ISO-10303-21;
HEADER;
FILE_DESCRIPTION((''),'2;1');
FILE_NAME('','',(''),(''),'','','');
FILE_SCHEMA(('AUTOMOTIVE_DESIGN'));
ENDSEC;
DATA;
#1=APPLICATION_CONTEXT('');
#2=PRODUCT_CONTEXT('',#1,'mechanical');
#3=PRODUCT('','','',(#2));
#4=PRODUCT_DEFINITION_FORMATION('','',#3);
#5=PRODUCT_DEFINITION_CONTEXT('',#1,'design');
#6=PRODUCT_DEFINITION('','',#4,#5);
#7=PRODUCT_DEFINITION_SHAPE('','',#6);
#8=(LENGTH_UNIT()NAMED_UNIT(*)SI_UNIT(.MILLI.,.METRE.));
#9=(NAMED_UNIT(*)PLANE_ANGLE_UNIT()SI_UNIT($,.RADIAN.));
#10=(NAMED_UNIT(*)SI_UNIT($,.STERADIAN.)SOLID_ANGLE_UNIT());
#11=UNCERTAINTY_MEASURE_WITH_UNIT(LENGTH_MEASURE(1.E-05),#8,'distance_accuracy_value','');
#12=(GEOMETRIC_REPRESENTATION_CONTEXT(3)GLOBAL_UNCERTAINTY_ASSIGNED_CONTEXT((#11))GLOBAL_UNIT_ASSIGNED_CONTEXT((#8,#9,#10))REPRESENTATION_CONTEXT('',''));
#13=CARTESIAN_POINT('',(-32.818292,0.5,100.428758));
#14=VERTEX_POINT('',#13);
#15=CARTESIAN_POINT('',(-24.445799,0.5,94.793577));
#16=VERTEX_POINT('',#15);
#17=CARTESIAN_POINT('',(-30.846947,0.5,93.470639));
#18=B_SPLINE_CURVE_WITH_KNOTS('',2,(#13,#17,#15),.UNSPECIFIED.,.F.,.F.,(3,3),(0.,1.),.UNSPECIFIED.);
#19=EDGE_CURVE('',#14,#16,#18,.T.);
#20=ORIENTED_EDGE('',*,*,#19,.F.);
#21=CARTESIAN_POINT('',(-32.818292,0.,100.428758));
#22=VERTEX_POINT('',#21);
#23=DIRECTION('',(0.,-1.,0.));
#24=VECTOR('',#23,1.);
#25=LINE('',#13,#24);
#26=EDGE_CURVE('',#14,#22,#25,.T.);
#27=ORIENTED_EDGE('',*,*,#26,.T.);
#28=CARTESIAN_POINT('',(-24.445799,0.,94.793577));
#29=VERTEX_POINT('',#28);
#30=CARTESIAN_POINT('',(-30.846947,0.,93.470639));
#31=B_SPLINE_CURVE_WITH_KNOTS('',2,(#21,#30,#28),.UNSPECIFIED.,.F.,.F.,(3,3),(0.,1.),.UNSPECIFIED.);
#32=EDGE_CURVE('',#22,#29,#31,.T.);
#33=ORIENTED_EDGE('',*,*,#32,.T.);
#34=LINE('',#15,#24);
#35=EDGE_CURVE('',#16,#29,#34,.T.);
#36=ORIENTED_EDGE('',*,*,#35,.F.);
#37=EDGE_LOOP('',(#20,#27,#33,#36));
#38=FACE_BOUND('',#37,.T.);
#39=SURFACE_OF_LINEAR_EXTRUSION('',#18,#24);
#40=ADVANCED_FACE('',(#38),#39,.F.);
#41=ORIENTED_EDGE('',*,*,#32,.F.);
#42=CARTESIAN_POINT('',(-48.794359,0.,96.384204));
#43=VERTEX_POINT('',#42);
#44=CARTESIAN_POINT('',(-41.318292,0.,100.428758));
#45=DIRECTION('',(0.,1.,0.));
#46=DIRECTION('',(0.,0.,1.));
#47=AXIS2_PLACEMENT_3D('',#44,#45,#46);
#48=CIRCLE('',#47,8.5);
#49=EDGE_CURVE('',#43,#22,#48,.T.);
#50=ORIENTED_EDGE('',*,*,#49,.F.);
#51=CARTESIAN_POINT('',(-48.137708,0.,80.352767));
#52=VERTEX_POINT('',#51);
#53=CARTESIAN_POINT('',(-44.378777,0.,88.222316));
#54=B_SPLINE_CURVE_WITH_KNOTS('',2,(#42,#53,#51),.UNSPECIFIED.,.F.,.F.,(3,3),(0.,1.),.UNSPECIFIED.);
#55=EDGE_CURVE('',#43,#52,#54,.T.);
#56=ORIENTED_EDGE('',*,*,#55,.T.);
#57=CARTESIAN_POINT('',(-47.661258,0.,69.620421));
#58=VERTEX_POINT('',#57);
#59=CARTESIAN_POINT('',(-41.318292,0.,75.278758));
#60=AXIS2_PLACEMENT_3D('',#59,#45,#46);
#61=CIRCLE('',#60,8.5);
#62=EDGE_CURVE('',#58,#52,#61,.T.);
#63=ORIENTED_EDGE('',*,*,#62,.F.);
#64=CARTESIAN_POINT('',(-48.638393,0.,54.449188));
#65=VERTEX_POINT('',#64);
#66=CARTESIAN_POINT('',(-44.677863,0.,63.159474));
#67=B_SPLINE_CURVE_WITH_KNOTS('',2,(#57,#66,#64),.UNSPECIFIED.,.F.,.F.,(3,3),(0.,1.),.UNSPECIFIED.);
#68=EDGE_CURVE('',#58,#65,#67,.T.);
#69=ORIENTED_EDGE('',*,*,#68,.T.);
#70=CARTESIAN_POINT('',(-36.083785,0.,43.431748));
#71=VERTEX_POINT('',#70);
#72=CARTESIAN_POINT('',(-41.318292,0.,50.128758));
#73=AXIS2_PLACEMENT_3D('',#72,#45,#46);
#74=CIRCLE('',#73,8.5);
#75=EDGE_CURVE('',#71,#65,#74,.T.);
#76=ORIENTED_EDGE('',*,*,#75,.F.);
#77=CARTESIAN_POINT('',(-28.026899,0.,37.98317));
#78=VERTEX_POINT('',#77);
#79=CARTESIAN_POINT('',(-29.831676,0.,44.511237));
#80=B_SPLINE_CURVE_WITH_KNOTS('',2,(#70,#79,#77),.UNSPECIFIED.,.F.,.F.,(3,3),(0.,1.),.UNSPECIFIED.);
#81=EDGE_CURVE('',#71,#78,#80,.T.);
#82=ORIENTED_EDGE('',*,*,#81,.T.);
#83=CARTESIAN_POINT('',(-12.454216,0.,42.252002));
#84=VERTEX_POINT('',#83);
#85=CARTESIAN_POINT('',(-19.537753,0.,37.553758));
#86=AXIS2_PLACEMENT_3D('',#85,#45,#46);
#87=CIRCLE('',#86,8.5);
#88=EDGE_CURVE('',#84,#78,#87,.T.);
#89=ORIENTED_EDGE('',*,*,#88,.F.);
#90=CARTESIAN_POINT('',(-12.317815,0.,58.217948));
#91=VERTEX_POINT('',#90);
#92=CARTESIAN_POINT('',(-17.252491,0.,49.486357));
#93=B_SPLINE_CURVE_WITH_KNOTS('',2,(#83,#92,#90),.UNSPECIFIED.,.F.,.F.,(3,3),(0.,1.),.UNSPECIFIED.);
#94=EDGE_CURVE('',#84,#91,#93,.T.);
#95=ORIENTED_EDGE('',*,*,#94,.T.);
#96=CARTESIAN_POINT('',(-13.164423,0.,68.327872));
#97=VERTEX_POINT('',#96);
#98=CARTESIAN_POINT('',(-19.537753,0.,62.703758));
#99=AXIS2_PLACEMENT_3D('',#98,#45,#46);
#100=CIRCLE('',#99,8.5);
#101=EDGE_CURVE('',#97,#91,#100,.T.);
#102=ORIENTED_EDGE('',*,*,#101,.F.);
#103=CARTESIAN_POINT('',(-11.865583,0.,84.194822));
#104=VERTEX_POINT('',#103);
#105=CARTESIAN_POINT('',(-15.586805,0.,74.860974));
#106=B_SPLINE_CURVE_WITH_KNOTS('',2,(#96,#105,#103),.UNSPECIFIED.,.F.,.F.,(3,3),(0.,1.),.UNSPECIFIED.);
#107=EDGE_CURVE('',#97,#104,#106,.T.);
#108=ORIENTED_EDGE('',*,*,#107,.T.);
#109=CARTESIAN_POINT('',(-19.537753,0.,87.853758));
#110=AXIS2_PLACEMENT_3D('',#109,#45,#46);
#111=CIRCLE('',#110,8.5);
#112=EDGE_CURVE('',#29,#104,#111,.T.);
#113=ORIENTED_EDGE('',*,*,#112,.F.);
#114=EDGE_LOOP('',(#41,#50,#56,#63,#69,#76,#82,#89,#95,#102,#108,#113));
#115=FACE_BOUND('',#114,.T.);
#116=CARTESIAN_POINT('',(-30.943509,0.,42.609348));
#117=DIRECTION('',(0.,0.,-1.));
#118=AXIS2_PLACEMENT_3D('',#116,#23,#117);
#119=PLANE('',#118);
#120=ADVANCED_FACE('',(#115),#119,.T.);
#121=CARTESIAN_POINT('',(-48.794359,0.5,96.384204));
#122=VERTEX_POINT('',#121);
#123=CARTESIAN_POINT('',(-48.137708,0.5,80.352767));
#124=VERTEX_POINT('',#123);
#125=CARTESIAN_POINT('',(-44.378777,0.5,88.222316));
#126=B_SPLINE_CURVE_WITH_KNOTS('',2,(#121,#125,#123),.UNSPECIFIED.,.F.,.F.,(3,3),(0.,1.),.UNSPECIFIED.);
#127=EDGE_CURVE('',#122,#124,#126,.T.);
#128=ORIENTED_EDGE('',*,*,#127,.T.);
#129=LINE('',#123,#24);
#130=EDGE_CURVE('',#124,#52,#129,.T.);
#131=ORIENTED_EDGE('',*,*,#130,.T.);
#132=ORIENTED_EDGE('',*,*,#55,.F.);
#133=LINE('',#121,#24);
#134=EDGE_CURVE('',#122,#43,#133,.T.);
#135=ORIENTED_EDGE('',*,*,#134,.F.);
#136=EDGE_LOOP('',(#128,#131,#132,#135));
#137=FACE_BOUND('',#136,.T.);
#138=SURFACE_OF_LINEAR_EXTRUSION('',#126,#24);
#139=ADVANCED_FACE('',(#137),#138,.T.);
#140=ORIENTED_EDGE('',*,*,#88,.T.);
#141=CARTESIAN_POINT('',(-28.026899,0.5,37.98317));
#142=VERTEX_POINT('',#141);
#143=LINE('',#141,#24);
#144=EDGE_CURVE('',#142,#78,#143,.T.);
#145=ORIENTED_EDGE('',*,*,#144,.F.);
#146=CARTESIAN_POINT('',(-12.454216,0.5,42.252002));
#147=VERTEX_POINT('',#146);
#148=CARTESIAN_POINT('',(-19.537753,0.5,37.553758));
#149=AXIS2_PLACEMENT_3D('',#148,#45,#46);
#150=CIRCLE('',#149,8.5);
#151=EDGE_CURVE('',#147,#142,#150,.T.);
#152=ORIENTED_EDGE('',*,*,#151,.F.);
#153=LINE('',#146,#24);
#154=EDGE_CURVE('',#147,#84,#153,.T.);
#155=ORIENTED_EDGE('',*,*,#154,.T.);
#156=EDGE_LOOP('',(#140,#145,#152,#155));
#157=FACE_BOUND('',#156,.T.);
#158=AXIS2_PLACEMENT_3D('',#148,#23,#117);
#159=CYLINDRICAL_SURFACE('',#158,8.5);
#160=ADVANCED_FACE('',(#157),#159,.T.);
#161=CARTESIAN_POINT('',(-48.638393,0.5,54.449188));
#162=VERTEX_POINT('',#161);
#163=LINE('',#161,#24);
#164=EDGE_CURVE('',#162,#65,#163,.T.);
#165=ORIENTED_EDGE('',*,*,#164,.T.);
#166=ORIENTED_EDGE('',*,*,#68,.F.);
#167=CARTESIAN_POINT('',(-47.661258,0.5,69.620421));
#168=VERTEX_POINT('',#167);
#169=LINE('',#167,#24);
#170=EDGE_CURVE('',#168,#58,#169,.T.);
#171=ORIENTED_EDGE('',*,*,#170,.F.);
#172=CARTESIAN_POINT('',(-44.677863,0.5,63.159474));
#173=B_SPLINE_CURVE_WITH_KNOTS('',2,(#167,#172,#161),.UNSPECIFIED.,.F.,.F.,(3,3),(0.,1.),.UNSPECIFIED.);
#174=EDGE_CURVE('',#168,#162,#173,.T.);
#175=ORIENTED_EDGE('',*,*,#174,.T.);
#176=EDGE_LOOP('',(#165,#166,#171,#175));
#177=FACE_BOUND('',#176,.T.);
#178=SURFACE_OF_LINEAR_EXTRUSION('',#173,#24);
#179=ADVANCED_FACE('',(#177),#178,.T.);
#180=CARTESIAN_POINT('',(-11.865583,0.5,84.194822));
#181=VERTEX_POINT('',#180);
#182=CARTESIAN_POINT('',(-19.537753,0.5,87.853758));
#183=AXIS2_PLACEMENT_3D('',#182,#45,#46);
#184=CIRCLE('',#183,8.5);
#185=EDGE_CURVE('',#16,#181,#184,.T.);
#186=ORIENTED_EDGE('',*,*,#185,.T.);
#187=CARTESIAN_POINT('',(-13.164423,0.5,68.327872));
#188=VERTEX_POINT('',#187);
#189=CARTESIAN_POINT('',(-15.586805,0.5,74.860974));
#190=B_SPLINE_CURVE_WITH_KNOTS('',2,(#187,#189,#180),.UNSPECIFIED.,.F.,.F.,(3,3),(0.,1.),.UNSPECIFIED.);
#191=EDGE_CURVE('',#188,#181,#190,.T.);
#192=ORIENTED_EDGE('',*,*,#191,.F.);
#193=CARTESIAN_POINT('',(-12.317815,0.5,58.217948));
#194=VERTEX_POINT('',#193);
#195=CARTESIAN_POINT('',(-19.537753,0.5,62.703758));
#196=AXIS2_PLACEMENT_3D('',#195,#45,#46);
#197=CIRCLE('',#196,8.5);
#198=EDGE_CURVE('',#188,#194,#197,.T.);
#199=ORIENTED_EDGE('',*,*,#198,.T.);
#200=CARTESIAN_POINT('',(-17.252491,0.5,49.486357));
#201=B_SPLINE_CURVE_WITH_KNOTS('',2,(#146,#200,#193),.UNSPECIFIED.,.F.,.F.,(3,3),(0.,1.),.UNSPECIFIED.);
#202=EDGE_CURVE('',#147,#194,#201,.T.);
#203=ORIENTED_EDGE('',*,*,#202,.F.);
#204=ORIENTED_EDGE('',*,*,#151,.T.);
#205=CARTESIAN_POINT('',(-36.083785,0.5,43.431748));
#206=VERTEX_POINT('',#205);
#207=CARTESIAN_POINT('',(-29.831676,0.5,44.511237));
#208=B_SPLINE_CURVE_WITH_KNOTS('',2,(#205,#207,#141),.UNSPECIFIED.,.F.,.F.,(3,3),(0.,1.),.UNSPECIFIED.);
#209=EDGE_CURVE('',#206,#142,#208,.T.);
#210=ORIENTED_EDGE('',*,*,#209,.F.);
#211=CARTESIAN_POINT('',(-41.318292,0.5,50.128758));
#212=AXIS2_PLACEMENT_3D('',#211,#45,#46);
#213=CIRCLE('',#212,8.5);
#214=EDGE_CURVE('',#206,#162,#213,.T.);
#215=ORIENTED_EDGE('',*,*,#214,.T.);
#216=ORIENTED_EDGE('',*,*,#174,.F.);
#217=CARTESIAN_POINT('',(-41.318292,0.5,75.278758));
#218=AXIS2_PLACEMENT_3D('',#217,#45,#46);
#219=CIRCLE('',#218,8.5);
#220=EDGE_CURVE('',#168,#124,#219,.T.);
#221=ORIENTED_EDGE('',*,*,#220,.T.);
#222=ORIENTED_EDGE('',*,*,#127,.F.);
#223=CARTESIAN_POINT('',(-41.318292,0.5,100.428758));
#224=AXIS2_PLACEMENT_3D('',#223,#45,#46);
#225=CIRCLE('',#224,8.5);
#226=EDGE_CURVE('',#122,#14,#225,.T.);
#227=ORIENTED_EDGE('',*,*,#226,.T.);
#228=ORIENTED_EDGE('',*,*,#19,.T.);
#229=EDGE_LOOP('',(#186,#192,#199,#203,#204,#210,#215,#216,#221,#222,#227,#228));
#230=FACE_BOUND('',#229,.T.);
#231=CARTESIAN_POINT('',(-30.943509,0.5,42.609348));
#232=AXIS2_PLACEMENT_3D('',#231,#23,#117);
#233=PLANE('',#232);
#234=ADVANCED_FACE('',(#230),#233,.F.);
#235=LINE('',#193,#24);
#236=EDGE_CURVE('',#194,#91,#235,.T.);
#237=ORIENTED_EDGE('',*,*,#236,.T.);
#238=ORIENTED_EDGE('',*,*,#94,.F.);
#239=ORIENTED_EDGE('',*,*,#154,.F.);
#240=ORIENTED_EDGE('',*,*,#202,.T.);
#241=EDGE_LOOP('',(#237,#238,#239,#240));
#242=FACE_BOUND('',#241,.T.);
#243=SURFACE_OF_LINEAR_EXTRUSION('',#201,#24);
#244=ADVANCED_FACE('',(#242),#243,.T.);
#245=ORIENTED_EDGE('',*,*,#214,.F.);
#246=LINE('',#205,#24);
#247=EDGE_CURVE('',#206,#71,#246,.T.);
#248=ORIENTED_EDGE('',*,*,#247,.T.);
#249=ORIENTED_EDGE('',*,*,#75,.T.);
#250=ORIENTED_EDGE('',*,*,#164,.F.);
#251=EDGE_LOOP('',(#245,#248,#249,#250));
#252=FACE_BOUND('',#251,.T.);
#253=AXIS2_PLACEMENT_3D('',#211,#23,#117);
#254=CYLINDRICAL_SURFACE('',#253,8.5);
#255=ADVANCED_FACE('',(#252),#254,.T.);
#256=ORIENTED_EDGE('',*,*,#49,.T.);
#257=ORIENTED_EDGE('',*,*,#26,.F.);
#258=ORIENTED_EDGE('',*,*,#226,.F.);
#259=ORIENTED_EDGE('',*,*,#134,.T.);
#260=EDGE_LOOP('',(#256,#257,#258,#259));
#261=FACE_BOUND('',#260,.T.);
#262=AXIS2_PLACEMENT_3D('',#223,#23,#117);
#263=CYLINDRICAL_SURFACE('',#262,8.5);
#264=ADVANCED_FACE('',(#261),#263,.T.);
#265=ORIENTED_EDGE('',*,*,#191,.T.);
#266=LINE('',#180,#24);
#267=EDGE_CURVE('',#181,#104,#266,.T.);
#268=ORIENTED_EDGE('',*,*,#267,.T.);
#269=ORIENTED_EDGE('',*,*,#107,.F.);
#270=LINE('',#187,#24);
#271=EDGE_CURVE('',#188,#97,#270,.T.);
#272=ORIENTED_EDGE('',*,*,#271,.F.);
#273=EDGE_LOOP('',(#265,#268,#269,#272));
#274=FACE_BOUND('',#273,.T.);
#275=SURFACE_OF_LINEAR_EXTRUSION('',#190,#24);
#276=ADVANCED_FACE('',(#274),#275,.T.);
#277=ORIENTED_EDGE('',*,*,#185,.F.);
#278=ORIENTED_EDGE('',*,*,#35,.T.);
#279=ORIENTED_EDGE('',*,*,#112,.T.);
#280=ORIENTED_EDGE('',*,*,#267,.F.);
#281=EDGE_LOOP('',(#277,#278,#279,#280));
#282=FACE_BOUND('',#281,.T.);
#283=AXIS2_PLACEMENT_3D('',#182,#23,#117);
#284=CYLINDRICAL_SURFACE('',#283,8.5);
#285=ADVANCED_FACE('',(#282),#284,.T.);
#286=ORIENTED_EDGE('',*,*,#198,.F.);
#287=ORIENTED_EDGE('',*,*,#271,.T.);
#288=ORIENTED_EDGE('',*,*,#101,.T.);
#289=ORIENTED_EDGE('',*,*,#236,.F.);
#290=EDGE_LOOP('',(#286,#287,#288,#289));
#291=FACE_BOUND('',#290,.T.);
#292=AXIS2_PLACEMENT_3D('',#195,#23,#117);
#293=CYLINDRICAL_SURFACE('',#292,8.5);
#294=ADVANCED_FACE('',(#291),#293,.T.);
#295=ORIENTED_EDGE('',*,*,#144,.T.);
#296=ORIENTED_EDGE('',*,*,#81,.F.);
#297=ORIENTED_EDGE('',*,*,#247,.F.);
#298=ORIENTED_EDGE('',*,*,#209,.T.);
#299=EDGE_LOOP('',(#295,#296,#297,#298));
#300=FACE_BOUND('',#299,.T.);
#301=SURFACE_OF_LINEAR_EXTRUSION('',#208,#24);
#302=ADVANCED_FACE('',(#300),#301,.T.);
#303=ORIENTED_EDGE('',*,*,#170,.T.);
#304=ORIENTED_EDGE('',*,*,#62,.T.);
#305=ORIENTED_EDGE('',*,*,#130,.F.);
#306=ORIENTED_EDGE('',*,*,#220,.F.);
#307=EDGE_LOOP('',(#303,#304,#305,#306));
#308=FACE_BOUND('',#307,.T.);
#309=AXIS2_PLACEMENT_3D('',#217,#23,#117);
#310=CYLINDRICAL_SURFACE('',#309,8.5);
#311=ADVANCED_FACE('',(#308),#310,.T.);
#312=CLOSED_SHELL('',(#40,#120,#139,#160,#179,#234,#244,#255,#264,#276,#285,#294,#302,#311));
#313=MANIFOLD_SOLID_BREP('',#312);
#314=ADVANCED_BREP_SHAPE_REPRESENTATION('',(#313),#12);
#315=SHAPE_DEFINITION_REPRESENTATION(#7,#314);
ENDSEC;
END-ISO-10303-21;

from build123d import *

# Parameters (mm, degrees)
BOSS_EXTRUDE2_DEPTH = 0.5


with BuildPart() as part:
    # Sketch3 → Boss-Extrude2 (new body)
    with BuildSketch(Plane(origin=(0, 0, 0), x_dir=(1, 0, 0), z_dir=(0, 1, 0))):
        with BuildLine():
            ThreePointArc((-36.083785498, -43.43174801), (-46.924843817, -43.7399727), (-48.638393243, -54.449188186))
            add(Edge.make_bspline(
                [(-47.6612581, -69.620420628), (-44.67786304, -63.159473941), (-48.638393243, -54.449188186)],
                knots=[0, 0, 0, 1, 1, 1], degree=2))
            ThreePointArc((-47.6612581, -69.620420628), (-49.809928396, -74.901781564), (-48.13770816, -80.352766508))
            add(Edge.make_bspline(
                [(-48.794359492, -96.384204212), (-44.378776707, -88.222316074), (-48.13770816, -80.352766508)],
                knots=[0, 0, 0, 1, 1, 1], degree=2))
            ThreePointArc((-48.794359492, -96.384204212), (-43.404368002, -108.668799602), (-32.818291991, -100.428757923))
            add(Edge.make_bspline(
                [(-32.818291991, -100.428757923), (-30.846947347, -93.47063926), (-24.445798858, -94.793576843)],
                knots=[0, 0, 0, 1, 1, 1], degree=2))
            ThreePointArc((-24.445798858, -94.793576843), (-14.061121236, -94.354258183), (-11.865583386, -84.19482199))
            add(Edge.make_bspline(
                [(-13.164422653, -68.327872009), (-15.58680525, -74.860973905), (-11.865583386, -84.19482199)],
                knots=[0, 0, 0, 1, 1, 1], degree=2))
            ThreePointArc((-13.164422653, -68.327872009), (-11.067400095, -63.413067651), (-12.317814786, -58.217947961))
            add(Edge.make_bspline(
                [(-12.454215604, -42.252001936), (-17.252491187, -49.486356904), (-12.317814786, -58.217947961)],
                knots=[0, 0, 0, 1, 1, 1], degree=2))
            ThreePointArc((-12.454215604, -42.252001936), (-17.290607023, -29.356176902), (-28.026899399, -37.983170079))
            add(Edge.make_bspline(
                [(-36.083785498, -43.43174801), (-29.83167631, -44.511236738), (-28.026899399, -37.983170079)],
                knots=[0, 0, 0, 1, 1, 1], degree=2))
        make_face()
    extrude(amount=BOSS_EXTRUDE2_DEPTH)


solid = part.part
